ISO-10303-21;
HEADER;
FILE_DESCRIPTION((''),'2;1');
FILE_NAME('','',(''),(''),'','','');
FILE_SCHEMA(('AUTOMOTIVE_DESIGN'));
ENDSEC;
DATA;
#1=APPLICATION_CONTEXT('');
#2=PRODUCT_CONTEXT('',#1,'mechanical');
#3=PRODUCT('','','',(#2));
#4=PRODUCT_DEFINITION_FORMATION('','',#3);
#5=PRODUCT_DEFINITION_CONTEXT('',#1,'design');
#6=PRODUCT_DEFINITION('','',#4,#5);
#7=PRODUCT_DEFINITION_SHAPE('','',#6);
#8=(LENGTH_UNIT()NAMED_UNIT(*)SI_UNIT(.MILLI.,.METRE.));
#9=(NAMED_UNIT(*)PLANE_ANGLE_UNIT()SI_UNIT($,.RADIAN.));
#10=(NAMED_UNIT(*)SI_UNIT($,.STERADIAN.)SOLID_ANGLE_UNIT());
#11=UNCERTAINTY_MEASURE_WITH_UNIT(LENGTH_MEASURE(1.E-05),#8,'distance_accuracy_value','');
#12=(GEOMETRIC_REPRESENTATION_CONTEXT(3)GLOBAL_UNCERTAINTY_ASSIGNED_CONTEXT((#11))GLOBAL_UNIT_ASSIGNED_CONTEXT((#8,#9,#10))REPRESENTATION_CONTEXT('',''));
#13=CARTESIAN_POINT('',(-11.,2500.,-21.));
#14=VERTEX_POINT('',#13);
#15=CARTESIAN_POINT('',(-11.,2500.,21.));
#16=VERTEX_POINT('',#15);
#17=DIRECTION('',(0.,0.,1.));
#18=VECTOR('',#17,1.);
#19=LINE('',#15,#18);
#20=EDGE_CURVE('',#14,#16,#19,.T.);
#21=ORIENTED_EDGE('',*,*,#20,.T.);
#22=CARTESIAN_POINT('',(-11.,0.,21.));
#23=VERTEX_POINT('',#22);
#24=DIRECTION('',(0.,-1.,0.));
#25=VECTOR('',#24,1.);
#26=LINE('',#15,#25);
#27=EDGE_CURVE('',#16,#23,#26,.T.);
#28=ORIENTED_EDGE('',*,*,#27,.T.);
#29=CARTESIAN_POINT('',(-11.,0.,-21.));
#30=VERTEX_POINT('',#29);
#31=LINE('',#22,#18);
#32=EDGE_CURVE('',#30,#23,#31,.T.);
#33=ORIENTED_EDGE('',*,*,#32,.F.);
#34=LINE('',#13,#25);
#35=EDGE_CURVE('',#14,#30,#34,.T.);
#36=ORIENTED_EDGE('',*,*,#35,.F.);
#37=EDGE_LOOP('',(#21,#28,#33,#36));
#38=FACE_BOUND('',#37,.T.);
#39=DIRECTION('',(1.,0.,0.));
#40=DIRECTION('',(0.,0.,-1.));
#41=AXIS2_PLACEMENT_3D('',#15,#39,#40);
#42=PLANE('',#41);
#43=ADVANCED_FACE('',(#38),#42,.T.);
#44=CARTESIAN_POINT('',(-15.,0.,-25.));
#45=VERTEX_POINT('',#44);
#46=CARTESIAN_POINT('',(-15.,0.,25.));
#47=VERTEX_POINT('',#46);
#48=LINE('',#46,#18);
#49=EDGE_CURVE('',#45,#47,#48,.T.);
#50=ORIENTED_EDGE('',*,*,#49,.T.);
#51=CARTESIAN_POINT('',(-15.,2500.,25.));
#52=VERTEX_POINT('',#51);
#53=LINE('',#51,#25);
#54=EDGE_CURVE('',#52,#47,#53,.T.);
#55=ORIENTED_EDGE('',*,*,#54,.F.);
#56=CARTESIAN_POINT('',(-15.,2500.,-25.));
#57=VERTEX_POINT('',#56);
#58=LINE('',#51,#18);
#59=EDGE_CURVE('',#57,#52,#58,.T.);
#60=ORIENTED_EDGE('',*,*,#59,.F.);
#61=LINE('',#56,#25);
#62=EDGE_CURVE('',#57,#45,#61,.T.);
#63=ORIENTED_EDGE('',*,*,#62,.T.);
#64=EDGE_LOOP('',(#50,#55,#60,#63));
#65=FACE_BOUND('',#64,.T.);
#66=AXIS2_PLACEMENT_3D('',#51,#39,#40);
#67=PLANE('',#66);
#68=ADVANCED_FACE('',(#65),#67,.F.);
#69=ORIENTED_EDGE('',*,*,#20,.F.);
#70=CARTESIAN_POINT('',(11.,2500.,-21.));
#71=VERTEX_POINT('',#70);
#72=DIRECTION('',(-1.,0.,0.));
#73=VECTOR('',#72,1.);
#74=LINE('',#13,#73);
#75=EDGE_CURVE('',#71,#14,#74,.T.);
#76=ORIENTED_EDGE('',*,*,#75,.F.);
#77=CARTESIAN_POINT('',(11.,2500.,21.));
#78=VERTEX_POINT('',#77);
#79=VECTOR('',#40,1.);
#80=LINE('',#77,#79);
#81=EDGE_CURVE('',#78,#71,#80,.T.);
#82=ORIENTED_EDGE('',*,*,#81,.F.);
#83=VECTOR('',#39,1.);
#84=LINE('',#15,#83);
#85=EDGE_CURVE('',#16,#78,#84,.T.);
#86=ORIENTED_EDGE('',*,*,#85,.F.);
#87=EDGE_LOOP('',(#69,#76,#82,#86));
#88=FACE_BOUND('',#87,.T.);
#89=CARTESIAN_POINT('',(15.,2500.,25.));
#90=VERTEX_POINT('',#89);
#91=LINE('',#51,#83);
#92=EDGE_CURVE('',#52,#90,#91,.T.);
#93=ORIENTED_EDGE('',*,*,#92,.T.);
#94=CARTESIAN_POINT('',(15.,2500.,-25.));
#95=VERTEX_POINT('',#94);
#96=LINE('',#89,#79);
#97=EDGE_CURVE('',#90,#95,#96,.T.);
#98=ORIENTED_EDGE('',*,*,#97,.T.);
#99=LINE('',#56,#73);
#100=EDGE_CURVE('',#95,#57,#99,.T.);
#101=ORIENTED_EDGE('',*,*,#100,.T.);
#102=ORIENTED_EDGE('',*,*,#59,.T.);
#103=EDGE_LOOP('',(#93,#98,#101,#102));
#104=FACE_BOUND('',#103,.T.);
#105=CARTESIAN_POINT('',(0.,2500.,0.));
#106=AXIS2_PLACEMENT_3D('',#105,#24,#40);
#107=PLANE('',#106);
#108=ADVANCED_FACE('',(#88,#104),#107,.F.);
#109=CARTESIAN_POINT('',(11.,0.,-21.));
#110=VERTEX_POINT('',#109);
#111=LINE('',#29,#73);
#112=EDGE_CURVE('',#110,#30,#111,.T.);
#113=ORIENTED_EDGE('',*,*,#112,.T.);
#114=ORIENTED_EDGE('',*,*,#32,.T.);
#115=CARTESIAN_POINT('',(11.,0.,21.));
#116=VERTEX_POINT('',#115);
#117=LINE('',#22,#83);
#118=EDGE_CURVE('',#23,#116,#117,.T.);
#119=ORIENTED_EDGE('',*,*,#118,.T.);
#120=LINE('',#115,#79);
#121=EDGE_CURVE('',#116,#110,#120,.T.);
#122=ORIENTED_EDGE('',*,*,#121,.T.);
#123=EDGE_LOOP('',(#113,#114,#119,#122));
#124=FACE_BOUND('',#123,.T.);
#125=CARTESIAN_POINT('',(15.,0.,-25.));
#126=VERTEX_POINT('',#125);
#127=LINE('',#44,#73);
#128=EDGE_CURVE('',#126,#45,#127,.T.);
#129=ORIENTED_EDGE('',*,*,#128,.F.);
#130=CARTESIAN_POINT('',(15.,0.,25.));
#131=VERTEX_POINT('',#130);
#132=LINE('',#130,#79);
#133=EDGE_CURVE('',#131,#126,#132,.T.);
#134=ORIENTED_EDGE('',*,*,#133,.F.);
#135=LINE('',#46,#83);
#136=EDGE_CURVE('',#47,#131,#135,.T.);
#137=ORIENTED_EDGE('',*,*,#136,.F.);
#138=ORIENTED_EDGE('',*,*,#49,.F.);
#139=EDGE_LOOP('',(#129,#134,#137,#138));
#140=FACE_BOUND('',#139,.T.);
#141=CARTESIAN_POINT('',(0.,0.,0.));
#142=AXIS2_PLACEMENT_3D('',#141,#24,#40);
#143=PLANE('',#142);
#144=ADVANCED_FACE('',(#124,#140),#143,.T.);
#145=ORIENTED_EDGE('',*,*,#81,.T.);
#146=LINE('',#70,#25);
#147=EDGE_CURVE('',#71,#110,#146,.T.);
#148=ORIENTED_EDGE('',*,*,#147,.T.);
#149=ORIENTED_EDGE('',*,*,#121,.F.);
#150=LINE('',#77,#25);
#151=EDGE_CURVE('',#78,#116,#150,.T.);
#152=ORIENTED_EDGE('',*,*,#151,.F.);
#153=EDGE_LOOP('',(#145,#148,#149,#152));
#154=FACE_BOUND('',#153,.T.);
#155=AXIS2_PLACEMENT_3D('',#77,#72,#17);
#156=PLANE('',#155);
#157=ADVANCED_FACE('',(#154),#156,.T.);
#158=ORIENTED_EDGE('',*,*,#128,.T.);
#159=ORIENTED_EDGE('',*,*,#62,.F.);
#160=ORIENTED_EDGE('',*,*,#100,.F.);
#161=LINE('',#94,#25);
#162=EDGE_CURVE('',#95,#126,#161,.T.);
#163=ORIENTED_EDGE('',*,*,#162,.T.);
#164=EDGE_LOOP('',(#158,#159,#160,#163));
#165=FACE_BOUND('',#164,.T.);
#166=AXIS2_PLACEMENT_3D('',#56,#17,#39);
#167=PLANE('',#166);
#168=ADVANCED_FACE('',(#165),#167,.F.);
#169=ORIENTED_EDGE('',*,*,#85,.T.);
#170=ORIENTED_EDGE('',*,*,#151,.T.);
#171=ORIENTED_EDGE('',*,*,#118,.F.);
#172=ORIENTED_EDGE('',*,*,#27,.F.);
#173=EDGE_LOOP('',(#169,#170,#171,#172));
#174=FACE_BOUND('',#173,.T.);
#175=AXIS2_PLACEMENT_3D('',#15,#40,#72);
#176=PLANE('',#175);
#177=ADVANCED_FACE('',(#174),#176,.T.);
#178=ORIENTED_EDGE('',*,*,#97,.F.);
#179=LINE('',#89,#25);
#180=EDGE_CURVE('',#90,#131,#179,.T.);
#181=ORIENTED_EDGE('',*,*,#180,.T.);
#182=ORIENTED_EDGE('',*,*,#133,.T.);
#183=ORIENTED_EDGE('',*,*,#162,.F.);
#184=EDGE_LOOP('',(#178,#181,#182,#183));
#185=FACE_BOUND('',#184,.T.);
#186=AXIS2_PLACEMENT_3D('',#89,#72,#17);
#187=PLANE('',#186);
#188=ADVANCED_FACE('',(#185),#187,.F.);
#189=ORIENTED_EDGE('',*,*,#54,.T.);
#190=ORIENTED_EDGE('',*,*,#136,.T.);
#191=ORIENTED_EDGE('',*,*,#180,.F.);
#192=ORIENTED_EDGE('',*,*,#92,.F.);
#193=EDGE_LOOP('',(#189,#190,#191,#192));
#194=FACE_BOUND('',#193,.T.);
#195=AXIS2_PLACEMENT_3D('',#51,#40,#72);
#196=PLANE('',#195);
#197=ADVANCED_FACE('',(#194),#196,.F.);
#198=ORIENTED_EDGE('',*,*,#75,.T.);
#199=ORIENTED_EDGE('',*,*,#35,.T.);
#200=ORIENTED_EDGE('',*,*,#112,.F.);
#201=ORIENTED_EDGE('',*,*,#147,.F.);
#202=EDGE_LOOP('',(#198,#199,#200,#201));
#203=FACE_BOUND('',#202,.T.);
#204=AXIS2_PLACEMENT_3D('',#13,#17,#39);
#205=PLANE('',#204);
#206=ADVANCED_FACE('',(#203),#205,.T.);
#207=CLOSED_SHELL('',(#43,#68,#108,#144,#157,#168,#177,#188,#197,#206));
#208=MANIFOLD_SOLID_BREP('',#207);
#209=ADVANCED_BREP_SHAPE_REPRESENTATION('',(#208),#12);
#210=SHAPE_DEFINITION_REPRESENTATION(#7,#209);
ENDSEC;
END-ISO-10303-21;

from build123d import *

# Parameters (mm, degrees)
SKETCH_1_W      = 30
SKETCH_1_H      = 50
SKETCH_1_W_2    = 22
SKETCH_1_H_2    = 42
EXTRUDE_1_DEPTH = 2500


with BuildPart() as part:
    # Эскиз1 → Бобышка-Вытянуть1 (new body)
    with BuildSketch(Plane(origin=(0, 0, 0), x_dir=(1, 0, 0), z_dir=(0, 1, 0))):
        Rectangle(SKETCH_1_W, SKETCH_1_H)
        Rectangle(SKETCH_1_W_2, SKETCH_1_H_2, mode=Mode.SUBTRACT)
    extrude(amount=EXTRUDE_1_DEPTH)


solid = part.part
